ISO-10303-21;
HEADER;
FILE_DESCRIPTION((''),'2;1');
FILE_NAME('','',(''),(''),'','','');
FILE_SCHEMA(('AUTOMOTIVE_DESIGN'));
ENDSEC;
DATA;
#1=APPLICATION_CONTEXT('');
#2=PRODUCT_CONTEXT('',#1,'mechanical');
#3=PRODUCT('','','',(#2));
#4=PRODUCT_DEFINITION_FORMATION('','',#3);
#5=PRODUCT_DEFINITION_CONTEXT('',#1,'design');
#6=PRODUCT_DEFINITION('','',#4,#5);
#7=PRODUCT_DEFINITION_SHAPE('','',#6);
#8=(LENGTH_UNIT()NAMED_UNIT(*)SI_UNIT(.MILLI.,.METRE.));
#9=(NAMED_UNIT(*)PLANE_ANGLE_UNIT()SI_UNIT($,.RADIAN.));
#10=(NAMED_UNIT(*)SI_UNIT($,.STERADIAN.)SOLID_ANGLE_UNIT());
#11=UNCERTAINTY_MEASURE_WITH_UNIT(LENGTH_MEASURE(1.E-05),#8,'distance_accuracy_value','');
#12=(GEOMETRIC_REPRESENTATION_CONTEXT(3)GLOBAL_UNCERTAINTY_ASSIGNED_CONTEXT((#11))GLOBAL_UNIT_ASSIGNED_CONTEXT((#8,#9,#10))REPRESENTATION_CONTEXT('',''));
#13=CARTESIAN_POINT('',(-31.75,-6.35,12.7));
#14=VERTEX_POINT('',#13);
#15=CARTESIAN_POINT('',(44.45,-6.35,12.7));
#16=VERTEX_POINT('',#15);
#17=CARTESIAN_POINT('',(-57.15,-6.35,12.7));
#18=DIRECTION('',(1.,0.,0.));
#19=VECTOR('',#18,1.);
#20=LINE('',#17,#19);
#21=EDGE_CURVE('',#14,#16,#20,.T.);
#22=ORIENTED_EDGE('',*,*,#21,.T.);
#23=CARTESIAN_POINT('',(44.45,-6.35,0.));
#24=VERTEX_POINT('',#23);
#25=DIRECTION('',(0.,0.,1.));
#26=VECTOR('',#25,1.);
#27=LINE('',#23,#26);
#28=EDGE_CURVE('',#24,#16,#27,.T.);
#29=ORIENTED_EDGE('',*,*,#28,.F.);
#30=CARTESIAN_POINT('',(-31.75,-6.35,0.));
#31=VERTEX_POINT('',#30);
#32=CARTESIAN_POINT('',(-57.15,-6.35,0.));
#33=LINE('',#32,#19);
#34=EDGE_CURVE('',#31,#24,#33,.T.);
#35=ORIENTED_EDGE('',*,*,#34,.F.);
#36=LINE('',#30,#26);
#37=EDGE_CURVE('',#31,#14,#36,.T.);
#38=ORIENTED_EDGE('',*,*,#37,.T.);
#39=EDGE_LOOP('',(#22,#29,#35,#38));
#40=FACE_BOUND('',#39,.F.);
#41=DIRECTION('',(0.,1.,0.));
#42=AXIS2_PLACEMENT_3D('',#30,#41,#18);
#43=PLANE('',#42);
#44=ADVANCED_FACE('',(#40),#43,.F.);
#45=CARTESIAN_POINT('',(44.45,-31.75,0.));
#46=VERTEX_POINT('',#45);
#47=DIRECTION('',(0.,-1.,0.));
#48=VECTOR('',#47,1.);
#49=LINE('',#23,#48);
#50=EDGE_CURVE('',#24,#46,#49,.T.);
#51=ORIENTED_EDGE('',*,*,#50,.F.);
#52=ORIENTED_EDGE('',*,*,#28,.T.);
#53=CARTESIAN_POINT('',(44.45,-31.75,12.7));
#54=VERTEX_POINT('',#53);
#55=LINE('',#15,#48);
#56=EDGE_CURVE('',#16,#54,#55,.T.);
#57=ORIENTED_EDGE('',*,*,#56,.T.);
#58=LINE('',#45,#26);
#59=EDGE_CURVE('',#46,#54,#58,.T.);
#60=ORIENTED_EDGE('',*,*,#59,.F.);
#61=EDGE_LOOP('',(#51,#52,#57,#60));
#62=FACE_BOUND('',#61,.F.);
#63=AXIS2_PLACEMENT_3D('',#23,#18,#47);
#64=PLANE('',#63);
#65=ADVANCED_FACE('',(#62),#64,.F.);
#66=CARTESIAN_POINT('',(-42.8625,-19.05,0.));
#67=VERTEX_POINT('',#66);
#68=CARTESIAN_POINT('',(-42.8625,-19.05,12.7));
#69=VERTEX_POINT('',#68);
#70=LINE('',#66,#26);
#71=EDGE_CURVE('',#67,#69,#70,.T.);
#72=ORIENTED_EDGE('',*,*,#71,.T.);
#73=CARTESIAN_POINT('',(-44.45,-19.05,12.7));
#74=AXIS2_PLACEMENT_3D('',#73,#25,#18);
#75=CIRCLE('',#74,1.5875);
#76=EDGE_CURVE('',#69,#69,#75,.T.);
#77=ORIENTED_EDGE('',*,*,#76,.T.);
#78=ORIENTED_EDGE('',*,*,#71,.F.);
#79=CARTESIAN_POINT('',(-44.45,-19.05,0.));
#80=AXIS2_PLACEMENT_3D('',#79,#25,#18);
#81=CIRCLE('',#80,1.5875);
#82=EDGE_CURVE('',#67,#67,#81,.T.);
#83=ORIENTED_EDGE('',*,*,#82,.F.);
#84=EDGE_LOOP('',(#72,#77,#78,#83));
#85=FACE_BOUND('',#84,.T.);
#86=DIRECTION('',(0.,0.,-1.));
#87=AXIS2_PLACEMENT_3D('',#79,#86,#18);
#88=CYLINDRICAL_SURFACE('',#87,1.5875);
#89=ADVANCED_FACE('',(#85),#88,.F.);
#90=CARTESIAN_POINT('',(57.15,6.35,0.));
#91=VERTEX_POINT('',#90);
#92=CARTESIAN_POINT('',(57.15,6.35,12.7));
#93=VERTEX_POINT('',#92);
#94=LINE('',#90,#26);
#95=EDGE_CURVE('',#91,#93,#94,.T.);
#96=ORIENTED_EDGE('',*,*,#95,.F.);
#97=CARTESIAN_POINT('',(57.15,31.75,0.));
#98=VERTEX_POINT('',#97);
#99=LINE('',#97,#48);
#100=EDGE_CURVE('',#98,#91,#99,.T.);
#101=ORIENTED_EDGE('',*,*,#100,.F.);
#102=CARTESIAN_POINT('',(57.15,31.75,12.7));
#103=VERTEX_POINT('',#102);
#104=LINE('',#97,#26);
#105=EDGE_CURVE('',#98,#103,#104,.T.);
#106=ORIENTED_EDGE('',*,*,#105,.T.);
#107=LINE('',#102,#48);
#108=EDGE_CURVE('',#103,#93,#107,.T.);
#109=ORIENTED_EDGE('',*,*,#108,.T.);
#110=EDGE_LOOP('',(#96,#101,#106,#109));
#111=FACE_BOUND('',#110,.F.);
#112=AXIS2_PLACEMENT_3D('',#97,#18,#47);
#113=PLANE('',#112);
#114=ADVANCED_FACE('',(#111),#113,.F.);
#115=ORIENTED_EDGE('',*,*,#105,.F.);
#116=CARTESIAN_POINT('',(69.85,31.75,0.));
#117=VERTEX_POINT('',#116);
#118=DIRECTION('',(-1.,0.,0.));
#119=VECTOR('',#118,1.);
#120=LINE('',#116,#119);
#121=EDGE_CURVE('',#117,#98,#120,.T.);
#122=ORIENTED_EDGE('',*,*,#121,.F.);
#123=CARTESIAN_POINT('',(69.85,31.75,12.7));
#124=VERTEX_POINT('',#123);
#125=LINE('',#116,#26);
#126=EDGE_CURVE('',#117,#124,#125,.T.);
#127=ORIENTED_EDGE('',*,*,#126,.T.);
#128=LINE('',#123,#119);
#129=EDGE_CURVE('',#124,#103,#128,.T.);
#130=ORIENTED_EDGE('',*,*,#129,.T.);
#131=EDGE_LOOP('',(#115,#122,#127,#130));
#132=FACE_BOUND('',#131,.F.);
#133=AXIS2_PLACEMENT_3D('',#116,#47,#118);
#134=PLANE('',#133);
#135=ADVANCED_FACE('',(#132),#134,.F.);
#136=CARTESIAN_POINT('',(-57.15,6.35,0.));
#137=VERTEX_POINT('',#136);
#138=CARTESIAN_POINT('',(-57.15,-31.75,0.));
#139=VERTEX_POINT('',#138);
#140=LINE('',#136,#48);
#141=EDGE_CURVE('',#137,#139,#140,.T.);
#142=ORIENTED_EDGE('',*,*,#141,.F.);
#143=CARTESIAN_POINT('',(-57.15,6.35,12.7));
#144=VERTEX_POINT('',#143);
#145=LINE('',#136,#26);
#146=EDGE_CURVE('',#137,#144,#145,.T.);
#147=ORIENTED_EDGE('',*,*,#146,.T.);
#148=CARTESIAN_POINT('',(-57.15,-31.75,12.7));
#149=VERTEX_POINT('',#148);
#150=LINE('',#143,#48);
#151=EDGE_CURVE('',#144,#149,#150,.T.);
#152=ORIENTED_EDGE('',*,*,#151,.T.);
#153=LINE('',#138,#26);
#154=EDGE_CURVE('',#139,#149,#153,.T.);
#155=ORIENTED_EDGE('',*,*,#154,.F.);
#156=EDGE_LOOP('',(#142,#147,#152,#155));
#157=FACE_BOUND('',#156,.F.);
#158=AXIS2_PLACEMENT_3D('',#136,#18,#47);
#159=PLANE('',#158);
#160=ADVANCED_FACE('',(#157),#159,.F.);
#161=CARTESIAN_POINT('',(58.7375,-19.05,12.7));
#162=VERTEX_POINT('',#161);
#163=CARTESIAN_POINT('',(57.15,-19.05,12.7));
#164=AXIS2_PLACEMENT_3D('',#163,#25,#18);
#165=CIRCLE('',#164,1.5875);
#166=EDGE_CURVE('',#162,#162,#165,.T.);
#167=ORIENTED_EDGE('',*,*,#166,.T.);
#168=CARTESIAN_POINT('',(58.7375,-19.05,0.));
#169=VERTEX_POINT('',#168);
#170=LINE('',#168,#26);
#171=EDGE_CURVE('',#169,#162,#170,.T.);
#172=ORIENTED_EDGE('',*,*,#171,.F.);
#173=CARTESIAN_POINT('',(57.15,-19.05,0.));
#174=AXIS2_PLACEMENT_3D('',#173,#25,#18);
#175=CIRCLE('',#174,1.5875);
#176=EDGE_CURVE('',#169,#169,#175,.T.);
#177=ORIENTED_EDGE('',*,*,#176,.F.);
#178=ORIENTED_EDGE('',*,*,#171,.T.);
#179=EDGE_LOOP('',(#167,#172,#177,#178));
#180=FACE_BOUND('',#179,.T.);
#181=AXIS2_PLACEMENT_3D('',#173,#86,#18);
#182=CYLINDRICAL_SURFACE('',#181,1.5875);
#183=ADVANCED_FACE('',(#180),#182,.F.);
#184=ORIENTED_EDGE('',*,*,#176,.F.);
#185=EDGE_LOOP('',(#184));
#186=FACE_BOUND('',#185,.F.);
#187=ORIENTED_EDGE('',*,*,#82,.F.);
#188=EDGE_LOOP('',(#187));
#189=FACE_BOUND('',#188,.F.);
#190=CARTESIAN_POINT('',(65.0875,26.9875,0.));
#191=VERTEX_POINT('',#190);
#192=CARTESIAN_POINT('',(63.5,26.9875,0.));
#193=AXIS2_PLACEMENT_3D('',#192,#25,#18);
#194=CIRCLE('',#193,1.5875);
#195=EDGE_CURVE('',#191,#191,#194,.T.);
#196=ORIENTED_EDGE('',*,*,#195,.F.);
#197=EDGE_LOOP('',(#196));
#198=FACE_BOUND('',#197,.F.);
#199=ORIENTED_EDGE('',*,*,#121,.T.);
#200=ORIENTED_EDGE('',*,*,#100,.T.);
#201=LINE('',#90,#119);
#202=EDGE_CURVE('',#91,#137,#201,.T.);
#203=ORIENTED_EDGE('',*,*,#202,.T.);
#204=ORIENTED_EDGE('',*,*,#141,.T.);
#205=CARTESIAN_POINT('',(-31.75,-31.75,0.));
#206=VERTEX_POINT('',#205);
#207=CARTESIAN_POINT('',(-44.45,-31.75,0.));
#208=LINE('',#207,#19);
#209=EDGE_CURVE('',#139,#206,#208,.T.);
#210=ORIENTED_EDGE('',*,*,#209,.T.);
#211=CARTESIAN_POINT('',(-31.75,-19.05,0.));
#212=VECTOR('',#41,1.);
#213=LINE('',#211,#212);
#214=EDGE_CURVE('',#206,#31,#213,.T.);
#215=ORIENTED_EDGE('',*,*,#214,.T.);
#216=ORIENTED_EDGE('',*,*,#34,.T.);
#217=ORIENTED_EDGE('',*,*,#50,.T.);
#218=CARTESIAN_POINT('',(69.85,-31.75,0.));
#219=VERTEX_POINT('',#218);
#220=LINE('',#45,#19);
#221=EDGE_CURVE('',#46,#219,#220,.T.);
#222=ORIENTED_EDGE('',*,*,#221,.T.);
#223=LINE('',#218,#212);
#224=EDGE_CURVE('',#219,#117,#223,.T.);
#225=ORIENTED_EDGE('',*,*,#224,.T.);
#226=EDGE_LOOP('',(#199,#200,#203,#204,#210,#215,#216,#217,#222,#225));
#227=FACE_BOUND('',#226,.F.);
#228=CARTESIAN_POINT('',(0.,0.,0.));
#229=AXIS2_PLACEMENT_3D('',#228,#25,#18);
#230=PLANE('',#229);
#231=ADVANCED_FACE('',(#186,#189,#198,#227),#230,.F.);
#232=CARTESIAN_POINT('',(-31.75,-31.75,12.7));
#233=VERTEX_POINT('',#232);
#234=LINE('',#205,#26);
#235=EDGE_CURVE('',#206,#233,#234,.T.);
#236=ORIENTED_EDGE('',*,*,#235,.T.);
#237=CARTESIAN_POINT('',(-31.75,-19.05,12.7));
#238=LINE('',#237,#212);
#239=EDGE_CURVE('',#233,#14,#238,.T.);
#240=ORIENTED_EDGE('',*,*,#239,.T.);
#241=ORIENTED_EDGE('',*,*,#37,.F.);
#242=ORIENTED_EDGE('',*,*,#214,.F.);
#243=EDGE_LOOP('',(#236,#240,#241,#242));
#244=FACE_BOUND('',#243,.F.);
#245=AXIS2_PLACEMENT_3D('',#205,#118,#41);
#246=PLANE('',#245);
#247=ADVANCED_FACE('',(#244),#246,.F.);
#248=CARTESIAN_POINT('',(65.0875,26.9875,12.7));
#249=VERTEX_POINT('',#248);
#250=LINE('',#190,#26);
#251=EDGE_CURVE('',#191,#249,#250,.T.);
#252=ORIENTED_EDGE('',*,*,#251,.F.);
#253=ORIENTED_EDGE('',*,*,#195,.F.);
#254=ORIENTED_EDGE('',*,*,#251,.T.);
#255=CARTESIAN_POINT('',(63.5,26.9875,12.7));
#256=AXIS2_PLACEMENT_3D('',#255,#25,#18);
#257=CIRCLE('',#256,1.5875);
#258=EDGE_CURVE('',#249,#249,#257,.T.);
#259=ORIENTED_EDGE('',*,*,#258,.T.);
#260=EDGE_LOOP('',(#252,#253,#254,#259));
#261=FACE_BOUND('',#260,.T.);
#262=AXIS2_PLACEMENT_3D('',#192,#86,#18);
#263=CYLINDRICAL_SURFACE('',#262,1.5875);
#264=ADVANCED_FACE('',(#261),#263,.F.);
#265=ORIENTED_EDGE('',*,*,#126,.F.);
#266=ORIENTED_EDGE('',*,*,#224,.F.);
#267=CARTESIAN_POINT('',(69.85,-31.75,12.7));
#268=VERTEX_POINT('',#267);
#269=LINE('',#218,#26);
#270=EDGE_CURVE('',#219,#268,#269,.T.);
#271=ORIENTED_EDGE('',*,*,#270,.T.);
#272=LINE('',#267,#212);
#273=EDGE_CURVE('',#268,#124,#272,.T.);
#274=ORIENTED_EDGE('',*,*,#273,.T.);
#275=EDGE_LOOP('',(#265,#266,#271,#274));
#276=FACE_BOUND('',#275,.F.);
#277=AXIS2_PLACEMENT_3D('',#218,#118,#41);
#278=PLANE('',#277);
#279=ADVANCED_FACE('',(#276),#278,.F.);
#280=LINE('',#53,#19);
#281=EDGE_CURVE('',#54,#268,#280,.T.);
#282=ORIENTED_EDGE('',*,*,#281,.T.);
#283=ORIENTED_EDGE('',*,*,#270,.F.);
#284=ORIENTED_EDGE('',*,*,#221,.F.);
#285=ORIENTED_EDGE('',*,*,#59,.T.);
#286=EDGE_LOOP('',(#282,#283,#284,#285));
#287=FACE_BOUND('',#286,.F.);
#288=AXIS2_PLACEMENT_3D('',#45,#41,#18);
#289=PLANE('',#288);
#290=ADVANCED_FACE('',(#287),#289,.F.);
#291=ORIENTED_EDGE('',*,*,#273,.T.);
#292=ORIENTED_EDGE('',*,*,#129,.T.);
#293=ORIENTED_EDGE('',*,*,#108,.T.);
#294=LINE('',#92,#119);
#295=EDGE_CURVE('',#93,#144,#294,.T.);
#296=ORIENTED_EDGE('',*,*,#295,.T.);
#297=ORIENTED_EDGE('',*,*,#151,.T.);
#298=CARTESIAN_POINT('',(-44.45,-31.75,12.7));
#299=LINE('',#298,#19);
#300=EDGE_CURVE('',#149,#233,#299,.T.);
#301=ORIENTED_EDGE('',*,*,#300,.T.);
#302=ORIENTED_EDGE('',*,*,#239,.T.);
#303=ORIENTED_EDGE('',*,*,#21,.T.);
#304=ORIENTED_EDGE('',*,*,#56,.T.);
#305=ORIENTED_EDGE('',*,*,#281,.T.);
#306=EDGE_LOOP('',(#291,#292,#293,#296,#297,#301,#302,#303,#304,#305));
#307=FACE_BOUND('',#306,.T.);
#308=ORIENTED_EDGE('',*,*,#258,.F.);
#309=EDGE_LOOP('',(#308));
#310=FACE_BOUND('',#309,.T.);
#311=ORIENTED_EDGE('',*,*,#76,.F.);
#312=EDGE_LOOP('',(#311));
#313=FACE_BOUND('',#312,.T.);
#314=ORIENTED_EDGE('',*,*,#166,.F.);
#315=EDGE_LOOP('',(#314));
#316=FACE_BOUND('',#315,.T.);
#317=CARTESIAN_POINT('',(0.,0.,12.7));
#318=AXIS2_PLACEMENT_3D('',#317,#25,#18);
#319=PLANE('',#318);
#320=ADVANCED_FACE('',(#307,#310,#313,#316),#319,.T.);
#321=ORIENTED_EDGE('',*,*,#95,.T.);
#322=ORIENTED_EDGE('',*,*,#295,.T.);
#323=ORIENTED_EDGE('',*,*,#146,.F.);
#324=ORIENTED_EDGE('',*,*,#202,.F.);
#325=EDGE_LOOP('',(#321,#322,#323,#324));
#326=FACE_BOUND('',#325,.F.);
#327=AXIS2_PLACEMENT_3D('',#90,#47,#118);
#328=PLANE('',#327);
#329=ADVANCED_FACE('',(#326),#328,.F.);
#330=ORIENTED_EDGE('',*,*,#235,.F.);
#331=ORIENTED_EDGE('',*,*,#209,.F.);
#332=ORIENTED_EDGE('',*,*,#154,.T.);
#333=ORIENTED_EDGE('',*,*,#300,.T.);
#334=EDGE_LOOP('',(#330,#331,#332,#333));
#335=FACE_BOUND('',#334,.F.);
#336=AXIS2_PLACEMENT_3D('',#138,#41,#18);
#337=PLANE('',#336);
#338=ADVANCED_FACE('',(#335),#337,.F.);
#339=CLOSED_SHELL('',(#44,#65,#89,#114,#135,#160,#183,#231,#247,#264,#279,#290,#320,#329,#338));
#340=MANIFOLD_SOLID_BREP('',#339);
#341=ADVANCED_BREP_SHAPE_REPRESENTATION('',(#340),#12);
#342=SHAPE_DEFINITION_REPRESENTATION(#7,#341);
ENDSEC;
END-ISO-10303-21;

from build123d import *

# Parameters (mm, degrees)
F0_W     = 25.4
F0_H     = 25.4
F0_R     = 1.5875
F1_DEPTH = 12.7


with BuildPart() as f1:
    # F0 (on Top) → F1 (new body)
    with BuildSketch(Plane.XY):
        Polygon((44.45, -6.35), (57.15, -6.35), (57.15, 6.35), (-57.15, 6.35), (-57.15, -6.35), (-31.75, -6.35), (31.75, -6.35), align=None)
        with Locations((-44.45, -19.05)):
            Rectangle(F0_W, F0_H)
        with Locations((-44.45, -19.05)):
            Circle(F0_R, mode=Mode.SUBTRACT)
        Polygon((69.85, -6.35), (57.15, -6.35), (44.45, -6.35), (44.45, -31.75), (69.85, -31.75), align=None)
        with Locations((57.15, -19.05)):
            Circle(F0_R, mode=Mode.SUBTRACT)
        Polygon((57.15, 6.35), (57.15, -6.35), (69.85, -6.35), (69.85, 31.75), (57.15, 31.75), align=None)
        with Locations((63.5, 26.9875)):
            Circle(F0_R, mode=Mode.SUBTRACT)
    extrude(amount=F1_DEPTH)


solid = f1.part
